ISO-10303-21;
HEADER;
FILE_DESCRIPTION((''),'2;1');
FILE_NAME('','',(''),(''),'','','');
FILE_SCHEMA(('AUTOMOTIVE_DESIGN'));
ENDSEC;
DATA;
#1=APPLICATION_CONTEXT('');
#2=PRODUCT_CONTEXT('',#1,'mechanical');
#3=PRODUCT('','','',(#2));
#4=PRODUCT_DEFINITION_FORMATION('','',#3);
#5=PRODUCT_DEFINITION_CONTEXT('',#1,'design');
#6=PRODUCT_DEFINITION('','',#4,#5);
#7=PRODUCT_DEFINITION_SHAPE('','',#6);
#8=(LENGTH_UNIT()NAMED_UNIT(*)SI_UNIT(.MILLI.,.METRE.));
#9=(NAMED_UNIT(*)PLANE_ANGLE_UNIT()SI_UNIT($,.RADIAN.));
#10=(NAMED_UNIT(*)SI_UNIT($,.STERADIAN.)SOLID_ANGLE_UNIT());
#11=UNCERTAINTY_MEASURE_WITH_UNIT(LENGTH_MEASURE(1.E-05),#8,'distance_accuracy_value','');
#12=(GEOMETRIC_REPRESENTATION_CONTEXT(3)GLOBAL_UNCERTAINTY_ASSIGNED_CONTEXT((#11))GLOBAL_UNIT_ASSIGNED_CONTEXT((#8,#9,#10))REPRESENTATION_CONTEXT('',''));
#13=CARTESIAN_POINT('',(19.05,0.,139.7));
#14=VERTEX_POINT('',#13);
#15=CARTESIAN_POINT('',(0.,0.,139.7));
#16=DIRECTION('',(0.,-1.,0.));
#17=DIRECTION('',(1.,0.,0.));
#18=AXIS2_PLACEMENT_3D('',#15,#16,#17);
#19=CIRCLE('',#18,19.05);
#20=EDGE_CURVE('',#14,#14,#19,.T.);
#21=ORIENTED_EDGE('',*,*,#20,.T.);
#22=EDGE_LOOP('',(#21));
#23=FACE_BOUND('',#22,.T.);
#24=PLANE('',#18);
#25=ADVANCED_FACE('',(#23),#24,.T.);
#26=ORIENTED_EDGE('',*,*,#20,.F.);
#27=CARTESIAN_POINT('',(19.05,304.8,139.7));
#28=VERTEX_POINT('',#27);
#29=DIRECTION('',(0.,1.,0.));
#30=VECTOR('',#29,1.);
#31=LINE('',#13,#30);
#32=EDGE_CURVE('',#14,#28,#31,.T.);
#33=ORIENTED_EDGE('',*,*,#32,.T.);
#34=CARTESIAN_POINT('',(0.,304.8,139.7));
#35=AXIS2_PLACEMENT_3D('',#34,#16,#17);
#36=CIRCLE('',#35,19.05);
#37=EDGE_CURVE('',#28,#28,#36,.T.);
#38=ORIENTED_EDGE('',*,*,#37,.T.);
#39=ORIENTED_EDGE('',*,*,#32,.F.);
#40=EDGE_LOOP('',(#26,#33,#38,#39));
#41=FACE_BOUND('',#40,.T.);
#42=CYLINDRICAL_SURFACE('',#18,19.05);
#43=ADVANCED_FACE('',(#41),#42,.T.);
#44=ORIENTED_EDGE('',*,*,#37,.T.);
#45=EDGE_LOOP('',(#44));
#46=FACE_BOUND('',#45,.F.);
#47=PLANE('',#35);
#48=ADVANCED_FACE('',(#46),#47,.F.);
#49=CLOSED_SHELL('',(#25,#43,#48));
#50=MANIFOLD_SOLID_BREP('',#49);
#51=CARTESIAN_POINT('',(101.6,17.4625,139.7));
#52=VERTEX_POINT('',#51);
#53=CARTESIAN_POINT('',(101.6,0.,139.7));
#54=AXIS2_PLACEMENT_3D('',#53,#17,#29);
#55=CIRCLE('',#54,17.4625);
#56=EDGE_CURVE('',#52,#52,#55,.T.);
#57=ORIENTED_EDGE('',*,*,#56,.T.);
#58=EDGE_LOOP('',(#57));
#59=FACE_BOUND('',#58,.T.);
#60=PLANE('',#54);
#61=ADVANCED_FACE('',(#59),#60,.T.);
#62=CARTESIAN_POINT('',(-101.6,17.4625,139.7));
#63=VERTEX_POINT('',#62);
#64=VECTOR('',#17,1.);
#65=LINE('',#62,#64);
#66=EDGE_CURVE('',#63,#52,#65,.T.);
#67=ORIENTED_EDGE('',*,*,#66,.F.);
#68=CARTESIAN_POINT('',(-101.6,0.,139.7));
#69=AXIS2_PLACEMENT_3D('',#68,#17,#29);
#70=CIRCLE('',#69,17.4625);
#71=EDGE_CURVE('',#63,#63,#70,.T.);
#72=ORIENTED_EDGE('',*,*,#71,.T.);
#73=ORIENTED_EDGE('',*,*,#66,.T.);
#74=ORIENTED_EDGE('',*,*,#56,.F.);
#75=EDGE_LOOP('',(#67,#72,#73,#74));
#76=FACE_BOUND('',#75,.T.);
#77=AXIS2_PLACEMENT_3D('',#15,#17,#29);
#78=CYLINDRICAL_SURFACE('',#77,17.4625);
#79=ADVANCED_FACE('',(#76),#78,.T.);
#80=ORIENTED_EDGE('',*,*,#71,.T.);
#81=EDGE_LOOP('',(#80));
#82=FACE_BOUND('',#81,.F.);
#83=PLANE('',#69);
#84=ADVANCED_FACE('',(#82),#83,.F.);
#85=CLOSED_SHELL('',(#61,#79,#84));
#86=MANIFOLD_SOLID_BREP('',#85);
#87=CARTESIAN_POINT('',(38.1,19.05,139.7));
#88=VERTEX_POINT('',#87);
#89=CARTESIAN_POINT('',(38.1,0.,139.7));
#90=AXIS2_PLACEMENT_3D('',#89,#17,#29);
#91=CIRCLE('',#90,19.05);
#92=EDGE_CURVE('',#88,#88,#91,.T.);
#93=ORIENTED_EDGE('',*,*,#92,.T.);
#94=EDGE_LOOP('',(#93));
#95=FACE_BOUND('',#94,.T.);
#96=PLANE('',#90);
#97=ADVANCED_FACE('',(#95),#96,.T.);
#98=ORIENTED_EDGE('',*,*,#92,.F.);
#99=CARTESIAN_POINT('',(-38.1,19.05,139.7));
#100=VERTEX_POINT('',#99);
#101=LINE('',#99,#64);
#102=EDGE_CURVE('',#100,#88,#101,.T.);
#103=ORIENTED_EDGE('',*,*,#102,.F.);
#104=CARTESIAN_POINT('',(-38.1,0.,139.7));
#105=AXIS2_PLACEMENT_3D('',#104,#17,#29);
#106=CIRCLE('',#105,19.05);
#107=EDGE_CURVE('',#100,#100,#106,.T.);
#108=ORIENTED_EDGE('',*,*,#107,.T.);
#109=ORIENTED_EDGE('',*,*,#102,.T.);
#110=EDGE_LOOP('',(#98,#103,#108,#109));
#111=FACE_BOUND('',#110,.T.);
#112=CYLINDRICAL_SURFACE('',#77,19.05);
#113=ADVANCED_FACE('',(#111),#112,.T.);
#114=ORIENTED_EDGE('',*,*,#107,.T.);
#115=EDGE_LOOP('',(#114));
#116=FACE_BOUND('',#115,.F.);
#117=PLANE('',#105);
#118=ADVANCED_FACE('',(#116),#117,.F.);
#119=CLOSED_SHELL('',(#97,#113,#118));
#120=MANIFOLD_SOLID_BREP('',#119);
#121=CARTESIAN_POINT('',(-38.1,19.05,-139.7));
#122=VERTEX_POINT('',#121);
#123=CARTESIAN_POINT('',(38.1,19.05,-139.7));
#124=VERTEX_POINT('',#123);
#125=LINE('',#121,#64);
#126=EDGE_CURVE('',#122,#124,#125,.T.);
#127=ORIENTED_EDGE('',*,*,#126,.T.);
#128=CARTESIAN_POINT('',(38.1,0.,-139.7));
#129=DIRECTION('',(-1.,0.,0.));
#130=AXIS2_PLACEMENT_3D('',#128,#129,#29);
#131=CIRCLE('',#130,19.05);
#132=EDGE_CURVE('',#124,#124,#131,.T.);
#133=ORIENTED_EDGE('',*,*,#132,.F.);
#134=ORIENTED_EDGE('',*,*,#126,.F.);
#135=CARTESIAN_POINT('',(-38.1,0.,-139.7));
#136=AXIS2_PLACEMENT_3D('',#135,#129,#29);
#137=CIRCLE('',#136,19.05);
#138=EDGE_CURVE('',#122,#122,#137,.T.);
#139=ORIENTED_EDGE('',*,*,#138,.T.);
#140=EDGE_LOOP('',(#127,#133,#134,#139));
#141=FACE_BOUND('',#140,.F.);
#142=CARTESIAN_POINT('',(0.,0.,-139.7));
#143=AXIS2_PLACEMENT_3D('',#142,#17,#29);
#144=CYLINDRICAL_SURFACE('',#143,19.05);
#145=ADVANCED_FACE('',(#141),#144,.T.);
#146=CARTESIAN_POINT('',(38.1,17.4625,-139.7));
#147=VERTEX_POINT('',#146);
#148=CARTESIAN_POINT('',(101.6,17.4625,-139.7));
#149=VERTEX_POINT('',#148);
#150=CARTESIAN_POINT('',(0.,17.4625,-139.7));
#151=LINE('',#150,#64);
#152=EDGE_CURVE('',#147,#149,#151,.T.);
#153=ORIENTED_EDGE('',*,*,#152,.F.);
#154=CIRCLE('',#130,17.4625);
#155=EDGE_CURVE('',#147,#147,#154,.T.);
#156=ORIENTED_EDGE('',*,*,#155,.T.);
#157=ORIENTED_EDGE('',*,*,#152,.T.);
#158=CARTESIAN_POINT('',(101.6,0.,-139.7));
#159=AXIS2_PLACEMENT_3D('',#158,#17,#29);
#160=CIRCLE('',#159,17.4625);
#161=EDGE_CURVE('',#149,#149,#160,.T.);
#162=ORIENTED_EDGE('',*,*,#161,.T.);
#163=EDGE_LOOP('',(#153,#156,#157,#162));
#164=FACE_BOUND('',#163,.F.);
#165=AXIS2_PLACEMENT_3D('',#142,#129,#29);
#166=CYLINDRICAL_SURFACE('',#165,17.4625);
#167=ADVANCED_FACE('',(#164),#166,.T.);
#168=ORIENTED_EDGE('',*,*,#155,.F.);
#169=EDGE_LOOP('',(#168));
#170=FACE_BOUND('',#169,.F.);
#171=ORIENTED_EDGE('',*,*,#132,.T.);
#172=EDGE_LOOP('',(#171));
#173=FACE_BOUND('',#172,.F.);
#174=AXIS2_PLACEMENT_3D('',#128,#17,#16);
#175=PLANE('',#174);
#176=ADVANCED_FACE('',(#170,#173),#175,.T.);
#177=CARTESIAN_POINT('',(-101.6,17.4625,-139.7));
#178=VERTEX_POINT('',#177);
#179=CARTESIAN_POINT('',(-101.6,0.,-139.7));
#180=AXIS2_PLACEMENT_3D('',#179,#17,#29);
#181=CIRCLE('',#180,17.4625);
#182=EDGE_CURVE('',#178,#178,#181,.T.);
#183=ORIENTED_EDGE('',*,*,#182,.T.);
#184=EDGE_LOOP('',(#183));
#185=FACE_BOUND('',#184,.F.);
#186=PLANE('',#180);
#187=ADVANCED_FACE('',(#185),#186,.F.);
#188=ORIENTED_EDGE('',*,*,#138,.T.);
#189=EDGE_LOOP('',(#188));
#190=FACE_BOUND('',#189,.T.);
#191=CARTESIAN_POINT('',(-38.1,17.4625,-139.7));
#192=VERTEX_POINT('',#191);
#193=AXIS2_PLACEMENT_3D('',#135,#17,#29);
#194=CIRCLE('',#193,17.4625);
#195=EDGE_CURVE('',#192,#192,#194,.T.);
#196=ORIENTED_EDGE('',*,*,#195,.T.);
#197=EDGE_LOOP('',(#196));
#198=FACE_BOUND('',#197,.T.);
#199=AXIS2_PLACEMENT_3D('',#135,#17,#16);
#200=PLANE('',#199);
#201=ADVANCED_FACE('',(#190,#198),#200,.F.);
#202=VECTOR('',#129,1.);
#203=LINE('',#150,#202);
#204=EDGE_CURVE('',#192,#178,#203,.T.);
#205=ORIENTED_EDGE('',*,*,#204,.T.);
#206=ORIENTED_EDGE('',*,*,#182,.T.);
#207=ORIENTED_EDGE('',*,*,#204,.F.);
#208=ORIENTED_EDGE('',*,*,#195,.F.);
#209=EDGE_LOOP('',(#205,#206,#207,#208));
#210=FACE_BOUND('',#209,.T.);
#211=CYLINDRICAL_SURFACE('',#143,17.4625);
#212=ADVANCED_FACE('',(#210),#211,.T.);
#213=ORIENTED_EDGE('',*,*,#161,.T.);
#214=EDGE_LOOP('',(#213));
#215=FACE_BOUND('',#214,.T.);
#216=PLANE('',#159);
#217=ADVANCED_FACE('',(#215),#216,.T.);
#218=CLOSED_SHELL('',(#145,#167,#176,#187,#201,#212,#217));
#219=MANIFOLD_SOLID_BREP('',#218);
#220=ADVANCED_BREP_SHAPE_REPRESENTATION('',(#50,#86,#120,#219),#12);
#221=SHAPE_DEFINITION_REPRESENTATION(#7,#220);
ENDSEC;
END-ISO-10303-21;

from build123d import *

# Parameters (mm, degrees)
F0_R     = 17.4625
F1_DEPTH = 101.6
F2_R     = 19.05
F3_DEPTH = 38.1
F5_R     = 19.05
F6_DEPTH = 304.8


with BuildPart() as f1:
    # F0 (on Right) → F1 (new body, symmetric)
    with BuildSketch(Plane.YZ):
        with Locations((0, -139.7)):
            Circle(F0_R)
        with Locations((0, 139.7)):
            Circle(F0_R)
    extrude(amount=F1_DEPTH, both=True)

    # F4: F3 across plane


with BuildPart() as f3:
    # F2 (on Right) → F3 (new body, symmetric)
    with BuildSketch(Plane.YZ):
        with Locations((0, 139.7)):
            Circle(F2_R)
    extrude(amount=F3_DEPTH, both=True)


with BuildPart() as f1_1:
    add(f1.part)
    add(f3.part.mirror(Plane.XY))


with BuildPart() as f6:
    # F5 (on Front) → F6 (new body)
    with BuildSketch(Plane.XZ):
        with Locations((0, 139.7)):
            Circle(F5_R)
    extrude(amount=-F6_DEPTH)


solid = Compound([f3.part, f1_1.part, f6.part])
